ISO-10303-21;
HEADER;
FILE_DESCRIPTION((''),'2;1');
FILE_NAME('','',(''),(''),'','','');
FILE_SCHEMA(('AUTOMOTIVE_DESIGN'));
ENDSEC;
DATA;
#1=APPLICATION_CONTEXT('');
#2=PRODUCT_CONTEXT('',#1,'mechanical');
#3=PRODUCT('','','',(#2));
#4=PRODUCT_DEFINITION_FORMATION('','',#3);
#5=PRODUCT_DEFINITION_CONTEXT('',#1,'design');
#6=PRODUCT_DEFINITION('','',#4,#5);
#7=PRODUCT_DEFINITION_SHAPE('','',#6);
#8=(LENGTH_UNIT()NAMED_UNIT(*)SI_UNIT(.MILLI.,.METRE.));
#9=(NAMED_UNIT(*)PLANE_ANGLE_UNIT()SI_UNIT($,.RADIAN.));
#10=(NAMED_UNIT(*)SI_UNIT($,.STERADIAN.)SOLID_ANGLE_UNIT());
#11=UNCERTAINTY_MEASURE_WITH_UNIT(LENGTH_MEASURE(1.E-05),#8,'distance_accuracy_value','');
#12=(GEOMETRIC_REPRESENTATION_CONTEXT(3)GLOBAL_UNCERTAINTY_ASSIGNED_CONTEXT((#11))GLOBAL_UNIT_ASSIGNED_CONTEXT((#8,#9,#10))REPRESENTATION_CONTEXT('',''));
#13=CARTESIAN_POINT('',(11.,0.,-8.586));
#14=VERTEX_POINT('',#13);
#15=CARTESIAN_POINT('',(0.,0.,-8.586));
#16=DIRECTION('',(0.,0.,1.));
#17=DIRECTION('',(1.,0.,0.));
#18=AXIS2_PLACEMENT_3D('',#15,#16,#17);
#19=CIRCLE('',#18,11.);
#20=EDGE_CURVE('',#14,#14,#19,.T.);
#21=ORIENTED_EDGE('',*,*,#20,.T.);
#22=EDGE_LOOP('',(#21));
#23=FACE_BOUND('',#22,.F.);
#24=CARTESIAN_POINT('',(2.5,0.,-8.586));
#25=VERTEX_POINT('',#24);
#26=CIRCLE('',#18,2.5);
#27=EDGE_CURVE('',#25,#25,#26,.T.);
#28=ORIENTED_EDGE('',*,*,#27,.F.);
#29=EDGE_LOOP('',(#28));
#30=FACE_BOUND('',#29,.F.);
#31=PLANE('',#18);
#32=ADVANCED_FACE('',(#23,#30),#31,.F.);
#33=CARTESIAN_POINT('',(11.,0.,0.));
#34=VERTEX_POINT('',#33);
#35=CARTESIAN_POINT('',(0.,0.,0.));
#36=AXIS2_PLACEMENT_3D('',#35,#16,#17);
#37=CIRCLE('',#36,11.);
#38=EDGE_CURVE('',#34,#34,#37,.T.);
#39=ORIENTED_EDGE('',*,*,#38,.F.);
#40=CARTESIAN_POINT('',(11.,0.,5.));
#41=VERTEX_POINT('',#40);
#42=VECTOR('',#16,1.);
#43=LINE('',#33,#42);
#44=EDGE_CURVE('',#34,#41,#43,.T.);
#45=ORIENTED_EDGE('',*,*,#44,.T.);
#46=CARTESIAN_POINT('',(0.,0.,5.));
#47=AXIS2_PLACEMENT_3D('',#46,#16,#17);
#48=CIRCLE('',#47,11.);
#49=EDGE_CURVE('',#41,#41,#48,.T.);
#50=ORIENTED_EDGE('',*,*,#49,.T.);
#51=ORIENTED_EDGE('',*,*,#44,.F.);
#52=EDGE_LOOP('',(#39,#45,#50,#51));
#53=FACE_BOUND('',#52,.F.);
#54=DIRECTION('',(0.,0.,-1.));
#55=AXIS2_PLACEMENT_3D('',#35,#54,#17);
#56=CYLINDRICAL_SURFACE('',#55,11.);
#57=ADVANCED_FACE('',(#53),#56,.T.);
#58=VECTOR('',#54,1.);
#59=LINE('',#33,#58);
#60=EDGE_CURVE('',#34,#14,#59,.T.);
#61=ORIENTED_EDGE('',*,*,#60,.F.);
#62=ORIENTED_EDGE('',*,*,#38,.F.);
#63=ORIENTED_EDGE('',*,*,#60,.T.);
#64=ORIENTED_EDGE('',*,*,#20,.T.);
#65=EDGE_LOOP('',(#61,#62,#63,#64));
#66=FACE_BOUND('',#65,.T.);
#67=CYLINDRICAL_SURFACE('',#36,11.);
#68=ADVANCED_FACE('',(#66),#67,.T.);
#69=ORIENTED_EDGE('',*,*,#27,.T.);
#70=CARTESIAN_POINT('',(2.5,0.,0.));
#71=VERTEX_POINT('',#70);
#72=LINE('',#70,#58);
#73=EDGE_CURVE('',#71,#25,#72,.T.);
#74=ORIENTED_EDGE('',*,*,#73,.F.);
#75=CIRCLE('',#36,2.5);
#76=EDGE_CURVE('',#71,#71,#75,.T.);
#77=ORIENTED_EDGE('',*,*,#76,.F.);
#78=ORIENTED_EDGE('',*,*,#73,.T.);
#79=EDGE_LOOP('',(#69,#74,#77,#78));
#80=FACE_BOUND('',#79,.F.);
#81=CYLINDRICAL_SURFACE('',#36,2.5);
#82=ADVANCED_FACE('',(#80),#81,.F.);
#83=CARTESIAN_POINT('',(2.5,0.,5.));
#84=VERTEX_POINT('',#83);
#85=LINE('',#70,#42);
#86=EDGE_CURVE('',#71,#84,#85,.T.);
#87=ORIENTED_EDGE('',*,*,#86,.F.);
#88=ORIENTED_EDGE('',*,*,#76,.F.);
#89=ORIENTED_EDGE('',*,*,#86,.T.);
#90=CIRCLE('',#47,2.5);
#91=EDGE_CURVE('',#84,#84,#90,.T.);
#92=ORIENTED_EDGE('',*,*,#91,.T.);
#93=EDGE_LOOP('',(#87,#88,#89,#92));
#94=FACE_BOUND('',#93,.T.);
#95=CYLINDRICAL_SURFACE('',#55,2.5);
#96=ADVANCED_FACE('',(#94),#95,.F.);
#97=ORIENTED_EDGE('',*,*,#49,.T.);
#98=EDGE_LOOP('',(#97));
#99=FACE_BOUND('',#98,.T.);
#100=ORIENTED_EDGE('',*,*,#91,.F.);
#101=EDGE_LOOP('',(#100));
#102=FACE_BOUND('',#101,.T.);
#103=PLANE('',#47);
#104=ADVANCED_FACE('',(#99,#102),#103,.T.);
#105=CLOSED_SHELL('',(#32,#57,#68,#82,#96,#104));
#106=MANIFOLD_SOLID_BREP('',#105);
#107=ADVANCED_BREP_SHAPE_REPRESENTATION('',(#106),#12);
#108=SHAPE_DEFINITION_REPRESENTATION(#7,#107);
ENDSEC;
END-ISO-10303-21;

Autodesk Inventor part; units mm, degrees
ref_plane "YZ Plane" through (0, 0, 0) normal (1, 0, 0) x (0, 1, 0)
ref_plane "XZ Plane" through (0, 0, 0) normal (0, 1, 0) x (-1, 0, 0)
ref_plane "XY Plane" through (0, 0, 0) normal (0, 0, 1) x (1, 0, 0)
sketch "Sketch3" plane through (0, 0, 0) normal (0, 0, 1) x (1, 0, 0)
  circle A0 centre (0, 0) radius 11
  circle A1 centre (0, 0) radius 2.5
  dimension "d8" = 22
  dimension "d9" = 5
extrude "Extrusion3" add sketch "Sketch3" along normal blind 5 and the other way blind 8.586
equation "\"da_D\" = 22"
equation "\"da_B\" = 15.3"
properties part number "Flat Pulley2" material "Steel"
